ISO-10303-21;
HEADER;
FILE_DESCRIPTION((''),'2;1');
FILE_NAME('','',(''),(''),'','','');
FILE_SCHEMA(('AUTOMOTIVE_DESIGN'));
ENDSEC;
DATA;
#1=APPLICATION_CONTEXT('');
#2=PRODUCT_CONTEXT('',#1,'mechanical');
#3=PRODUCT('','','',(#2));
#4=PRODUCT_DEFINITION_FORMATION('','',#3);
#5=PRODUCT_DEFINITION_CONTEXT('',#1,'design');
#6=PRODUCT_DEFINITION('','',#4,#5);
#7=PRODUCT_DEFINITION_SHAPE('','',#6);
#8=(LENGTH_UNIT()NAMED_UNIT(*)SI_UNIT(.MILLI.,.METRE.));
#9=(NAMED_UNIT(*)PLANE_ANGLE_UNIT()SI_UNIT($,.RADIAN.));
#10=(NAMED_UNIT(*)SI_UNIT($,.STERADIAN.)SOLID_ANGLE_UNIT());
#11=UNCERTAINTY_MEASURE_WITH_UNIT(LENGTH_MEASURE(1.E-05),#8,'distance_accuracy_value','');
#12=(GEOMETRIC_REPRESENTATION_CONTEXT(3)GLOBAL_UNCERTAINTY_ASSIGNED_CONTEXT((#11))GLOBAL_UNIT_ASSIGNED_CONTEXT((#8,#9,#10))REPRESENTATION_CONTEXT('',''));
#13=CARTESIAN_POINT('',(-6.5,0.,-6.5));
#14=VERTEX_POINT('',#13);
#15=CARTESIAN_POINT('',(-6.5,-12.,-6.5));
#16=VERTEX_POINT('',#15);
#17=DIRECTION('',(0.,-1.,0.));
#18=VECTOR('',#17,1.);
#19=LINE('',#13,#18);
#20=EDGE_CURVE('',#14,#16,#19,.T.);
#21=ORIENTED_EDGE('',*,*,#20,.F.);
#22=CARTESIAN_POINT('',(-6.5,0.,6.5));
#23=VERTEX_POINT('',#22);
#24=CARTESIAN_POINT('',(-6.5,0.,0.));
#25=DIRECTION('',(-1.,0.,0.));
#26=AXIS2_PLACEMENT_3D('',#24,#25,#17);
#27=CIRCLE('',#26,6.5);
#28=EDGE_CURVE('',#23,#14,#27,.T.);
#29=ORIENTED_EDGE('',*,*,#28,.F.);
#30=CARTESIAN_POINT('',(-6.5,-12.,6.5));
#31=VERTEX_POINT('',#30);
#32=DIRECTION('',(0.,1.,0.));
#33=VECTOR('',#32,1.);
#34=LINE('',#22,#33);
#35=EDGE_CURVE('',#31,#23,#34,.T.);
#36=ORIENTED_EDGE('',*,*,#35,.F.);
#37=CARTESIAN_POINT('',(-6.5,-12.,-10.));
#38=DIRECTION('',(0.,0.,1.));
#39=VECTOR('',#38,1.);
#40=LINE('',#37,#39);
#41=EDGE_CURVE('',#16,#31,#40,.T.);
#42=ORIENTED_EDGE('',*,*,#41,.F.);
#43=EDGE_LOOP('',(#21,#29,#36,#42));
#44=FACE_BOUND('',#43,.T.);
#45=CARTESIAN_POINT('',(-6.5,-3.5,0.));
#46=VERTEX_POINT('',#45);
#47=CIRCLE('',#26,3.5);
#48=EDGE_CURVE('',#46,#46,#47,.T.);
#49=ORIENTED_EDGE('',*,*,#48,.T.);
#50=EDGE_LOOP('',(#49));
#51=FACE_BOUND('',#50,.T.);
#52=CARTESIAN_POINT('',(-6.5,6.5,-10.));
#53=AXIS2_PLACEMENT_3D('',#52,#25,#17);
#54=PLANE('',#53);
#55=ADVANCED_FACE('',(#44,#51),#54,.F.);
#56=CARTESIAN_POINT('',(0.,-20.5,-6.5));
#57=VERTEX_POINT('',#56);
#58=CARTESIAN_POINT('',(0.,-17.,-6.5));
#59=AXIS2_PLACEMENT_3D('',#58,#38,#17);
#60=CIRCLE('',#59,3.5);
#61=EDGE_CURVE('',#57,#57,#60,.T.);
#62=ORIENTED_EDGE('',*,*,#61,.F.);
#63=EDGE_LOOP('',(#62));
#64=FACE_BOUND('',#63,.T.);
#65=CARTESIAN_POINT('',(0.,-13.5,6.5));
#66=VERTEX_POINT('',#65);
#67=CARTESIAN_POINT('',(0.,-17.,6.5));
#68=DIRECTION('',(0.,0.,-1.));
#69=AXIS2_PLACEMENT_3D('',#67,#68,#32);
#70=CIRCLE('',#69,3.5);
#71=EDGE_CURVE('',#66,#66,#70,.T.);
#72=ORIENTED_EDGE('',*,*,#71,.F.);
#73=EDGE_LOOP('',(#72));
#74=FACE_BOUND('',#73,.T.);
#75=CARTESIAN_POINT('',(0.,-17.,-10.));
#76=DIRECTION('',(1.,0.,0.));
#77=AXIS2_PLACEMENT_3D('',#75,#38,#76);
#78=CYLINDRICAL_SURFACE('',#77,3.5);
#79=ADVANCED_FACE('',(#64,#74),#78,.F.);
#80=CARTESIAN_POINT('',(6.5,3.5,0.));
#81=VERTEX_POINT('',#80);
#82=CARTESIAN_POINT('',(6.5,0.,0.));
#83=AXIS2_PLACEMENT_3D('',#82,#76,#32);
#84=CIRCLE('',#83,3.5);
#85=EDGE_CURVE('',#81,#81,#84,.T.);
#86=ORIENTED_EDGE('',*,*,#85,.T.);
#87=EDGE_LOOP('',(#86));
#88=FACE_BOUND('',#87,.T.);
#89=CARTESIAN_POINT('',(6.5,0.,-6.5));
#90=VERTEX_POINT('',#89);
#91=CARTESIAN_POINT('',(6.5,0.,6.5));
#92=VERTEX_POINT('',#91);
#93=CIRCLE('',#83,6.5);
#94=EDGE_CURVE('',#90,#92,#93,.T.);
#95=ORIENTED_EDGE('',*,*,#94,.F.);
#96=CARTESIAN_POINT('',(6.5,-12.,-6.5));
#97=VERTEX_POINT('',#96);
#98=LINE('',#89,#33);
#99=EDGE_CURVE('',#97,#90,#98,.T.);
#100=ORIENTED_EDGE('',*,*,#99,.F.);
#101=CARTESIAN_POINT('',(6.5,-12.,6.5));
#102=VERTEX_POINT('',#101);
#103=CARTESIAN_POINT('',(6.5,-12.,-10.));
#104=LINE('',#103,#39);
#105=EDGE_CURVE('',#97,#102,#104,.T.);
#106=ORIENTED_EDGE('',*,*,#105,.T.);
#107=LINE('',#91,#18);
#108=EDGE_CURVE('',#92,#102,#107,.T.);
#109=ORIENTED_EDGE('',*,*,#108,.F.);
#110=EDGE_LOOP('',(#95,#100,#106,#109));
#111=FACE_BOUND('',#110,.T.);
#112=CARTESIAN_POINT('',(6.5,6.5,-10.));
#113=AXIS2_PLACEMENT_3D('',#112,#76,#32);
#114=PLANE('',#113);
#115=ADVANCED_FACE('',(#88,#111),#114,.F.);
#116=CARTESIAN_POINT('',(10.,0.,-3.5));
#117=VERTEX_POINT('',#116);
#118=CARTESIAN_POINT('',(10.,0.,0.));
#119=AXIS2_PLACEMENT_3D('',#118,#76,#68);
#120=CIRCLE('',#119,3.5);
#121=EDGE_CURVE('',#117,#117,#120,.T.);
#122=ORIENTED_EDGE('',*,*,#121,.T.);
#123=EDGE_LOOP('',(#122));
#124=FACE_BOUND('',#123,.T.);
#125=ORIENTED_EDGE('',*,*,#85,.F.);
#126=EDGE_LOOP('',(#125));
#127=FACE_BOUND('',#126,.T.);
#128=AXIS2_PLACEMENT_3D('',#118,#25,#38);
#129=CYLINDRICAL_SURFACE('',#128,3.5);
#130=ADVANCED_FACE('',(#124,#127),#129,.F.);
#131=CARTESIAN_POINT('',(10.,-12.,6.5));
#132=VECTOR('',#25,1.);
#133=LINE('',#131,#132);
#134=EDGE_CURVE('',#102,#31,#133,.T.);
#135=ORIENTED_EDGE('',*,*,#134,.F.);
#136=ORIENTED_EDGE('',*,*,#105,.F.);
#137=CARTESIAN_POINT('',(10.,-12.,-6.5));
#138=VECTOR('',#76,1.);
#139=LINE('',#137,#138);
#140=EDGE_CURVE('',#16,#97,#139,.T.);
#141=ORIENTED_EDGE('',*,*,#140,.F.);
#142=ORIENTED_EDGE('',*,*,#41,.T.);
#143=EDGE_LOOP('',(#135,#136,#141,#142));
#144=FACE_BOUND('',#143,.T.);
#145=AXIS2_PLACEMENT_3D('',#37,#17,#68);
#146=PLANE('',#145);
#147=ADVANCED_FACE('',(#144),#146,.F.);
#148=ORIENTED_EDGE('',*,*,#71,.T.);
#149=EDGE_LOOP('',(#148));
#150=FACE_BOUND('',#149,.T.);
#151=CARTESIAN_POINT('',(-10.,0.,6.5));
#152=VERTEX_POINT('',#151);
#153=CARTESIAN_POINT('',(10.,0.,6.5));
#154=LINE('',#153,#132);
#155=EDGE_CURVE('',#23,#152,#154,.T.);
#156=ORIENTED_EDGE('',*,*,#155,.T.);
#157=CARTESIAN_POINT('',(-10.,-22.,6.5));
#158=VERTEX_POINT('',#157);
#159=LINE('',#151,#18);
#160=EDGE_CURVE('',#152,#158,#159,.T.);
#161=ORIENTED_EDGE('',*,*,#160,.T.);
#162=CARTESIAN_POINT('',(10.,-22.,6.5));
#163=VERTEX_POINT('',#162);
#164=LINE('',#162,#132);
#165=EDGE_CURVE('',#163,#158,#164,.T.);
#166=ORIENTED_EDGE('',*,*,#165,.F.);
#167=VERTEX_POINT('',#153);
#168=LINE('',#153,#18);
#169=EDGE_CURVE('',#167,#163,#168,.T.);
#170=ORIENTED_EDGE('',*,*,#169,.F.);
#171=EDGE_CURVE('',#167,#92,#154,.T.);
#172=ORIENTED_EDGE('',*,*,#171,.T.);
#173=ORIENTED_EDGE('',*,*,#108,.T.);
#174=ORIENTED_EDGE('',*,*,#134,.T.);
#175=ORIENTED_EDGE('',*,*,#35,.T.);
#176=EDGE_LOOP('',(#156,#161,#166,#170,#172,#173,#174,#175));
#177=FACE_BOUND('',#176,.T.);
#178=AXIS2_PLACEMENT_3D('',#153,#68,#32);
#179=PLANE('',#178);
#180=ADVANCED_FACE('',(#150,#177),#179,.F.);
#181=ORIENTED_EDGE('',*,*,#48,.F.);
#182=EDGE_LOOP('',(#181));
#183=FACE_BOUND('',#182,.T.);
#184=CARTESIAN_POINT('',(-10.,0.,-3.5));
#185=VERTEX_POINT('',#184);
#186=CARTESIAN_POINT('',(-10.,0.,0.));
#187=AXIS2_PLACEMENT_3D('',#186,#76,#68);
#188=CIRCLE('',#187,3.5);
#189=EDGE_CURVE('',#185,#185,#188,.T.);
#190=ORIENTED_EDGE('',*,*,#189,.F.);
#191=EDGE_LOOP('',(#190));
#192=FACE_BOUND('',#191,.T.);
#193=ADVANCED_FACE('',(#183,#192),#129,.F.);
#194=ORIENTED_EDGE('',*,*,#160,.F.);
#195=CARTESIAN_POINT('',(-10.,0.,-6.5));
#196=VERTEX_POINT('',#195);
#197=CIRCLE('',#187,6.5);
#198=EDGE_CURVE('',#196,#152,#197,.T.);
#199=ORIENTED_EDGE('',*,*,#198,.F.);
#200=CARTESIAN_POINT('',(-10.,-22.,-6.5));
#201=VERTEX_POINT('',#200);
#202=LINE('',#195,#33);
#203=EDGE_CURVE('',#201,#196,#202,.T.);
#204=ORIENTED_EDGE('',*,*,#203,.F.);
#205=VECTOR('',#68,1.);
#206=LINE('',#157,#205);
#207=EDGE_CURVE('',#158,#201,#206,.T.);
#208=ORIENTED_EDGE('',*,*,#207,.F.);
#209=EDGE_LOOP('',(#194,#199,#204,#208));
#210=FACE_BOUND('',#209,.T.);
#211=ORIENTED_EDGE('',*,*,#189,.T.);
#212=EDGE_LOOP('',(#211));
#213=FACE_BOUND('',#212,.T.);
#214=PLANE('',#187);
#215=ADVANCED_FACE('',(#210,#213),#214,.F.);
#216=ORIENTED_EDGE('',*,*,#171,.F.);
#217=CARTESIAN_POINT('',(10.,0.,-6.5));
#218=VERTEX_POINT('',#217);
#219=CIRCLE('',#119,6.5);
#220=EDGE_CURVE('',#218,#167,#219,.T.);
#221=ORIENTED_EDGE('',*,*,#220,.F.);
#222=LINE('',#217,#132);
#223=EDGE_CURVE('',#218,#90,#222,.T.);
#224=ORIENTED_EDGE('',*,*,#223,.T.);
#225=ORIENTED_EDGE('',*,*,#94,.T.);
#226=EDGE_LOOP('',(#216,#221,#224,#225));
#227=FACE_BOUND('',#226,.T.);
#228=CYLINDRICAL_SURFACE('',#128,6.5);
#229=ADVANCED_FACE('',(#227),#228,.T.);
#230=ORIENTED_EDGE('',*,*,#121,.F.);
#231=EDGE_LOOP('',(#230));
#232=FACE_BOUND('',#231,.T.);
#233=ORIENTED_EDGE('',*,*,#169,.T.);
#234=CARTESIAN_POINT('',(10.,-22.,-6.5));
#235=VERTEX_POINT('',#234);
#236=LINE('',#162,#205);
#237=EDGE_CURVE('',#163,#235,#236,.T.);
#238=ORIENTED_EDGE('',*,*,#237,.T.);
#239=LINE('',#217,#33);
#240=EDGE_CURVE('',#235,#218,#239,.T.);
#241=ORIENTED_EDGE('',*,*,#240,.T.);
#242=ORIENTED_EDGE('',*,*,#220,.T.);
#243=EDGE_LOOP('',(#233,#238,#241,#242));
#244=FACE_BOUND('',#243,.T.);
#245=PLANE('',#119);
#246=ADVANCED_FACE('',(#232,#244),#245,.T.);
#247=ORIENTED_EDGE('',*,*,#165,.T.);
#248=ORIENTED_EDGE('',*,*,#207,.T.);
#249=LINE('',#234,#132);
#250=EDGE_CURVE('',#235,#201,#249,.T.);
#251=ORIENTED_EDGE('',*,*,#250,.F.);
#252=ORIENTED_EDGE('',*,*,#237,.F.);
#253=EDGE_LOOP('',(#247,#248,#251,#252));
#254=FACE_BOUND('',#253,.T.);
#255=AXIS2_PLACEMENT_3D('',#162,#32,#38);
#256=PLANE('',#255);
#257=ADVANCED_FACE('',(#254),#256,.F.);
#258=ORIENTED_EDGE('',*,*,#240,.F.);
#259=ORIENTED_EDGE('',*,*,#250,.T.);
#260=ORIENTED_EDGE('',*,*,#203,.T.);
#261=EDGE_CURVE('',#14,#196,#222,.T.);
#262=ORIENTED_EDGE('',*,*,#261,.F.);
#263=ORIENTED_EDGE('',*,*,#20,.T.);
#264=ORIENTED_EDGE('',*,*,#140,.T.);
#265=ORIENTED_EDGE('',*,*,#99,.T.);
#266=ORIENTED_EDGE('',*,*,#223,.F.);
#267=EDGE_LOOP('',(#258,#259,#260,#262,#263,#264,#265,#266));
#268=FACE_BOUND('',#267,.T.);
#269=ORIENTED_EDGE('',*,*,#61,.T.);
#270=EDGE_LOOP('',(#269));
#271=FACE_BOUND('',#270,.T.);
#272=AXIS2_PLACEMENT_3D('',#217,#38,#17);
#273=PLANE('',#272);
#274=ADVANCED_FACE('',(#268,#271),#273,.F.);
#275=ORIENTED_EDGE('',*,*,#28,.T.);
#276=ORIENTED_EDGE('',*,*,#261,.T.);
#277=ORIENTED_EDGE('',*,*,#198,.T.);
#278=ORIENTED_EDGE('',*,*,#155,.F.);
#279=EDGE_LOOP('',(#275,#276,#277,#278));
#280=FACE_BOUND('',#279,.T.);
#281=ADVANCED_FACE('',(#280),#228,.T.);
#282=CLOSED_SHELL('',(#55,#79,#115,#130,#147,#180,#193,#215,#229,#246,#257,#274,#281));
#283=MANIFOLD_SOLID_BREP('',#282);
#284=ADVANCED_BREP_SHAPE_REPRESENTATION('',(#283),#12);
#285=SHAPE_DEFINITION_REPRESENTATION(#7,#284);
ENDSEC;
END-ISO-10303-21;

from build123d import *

# Parameters (mm, degrees)
ESBO_O1_R                = 3.5
RESSALTO_EXTRUS_O1_DEPTH = 10
ESBO_O2_R                = 3.5
CORTE_EXTRUS_O1_DEPTH    = 10
ESBO_O3_W                = 13
ESBO_O3_H                = 18.5
CORTE_EXTRUS_O2_DEPTH    = 10


with BuildPart() as part:
    # Esboço1 → Ressalto-extrusão1 (new, symmetric)
    with BuildSketch(Plane(origin=(0, 0, 0), x_dir=(0, 0, -1), z_dir=(1, 0, 0))):
        with BuildLine():
            Line((-6.5, 0), (-6.5, -22))
            Line((-6.5, -22), (6.5, -22))
            Line((6.5, -22), (6.5, 0))
            ThreePointArc((6.5, 0), (0, 6.5), (-6.5, 0))
        make_face()
        Circle(ESBO_O1_R, mode=Mode.SUBTRACT)
    extrude(amount=RESSALTO_EXTRUS_O1_DEPTH, both=True)

    # Esboço2 → Corte-extrusão1 (cut, symmetric)
    with BuildSketch(Plane.XY):
        with Locations(Location((0, -17, 0), (0, 0, 270))):
            Circle(ESBO_O2_R)
    extrude(amount=CORTE_EXTRUS_O1_DEPTH, both=True, mode=Mode.SUBTRACT)

    # Esboço3 → Corte-extrusão2 (cut, symmetric)
    with BuildSketch(Plane.XY):
        with Locations((0, -2.75)):
            Rectangle(ESBO_O3_W, ESBO_O3_H)
    extrude(amount=CORTE_EXTRUS_O2_DEPTH, both=True, mode=Mode.SUBTRACT)


solid = part.part
